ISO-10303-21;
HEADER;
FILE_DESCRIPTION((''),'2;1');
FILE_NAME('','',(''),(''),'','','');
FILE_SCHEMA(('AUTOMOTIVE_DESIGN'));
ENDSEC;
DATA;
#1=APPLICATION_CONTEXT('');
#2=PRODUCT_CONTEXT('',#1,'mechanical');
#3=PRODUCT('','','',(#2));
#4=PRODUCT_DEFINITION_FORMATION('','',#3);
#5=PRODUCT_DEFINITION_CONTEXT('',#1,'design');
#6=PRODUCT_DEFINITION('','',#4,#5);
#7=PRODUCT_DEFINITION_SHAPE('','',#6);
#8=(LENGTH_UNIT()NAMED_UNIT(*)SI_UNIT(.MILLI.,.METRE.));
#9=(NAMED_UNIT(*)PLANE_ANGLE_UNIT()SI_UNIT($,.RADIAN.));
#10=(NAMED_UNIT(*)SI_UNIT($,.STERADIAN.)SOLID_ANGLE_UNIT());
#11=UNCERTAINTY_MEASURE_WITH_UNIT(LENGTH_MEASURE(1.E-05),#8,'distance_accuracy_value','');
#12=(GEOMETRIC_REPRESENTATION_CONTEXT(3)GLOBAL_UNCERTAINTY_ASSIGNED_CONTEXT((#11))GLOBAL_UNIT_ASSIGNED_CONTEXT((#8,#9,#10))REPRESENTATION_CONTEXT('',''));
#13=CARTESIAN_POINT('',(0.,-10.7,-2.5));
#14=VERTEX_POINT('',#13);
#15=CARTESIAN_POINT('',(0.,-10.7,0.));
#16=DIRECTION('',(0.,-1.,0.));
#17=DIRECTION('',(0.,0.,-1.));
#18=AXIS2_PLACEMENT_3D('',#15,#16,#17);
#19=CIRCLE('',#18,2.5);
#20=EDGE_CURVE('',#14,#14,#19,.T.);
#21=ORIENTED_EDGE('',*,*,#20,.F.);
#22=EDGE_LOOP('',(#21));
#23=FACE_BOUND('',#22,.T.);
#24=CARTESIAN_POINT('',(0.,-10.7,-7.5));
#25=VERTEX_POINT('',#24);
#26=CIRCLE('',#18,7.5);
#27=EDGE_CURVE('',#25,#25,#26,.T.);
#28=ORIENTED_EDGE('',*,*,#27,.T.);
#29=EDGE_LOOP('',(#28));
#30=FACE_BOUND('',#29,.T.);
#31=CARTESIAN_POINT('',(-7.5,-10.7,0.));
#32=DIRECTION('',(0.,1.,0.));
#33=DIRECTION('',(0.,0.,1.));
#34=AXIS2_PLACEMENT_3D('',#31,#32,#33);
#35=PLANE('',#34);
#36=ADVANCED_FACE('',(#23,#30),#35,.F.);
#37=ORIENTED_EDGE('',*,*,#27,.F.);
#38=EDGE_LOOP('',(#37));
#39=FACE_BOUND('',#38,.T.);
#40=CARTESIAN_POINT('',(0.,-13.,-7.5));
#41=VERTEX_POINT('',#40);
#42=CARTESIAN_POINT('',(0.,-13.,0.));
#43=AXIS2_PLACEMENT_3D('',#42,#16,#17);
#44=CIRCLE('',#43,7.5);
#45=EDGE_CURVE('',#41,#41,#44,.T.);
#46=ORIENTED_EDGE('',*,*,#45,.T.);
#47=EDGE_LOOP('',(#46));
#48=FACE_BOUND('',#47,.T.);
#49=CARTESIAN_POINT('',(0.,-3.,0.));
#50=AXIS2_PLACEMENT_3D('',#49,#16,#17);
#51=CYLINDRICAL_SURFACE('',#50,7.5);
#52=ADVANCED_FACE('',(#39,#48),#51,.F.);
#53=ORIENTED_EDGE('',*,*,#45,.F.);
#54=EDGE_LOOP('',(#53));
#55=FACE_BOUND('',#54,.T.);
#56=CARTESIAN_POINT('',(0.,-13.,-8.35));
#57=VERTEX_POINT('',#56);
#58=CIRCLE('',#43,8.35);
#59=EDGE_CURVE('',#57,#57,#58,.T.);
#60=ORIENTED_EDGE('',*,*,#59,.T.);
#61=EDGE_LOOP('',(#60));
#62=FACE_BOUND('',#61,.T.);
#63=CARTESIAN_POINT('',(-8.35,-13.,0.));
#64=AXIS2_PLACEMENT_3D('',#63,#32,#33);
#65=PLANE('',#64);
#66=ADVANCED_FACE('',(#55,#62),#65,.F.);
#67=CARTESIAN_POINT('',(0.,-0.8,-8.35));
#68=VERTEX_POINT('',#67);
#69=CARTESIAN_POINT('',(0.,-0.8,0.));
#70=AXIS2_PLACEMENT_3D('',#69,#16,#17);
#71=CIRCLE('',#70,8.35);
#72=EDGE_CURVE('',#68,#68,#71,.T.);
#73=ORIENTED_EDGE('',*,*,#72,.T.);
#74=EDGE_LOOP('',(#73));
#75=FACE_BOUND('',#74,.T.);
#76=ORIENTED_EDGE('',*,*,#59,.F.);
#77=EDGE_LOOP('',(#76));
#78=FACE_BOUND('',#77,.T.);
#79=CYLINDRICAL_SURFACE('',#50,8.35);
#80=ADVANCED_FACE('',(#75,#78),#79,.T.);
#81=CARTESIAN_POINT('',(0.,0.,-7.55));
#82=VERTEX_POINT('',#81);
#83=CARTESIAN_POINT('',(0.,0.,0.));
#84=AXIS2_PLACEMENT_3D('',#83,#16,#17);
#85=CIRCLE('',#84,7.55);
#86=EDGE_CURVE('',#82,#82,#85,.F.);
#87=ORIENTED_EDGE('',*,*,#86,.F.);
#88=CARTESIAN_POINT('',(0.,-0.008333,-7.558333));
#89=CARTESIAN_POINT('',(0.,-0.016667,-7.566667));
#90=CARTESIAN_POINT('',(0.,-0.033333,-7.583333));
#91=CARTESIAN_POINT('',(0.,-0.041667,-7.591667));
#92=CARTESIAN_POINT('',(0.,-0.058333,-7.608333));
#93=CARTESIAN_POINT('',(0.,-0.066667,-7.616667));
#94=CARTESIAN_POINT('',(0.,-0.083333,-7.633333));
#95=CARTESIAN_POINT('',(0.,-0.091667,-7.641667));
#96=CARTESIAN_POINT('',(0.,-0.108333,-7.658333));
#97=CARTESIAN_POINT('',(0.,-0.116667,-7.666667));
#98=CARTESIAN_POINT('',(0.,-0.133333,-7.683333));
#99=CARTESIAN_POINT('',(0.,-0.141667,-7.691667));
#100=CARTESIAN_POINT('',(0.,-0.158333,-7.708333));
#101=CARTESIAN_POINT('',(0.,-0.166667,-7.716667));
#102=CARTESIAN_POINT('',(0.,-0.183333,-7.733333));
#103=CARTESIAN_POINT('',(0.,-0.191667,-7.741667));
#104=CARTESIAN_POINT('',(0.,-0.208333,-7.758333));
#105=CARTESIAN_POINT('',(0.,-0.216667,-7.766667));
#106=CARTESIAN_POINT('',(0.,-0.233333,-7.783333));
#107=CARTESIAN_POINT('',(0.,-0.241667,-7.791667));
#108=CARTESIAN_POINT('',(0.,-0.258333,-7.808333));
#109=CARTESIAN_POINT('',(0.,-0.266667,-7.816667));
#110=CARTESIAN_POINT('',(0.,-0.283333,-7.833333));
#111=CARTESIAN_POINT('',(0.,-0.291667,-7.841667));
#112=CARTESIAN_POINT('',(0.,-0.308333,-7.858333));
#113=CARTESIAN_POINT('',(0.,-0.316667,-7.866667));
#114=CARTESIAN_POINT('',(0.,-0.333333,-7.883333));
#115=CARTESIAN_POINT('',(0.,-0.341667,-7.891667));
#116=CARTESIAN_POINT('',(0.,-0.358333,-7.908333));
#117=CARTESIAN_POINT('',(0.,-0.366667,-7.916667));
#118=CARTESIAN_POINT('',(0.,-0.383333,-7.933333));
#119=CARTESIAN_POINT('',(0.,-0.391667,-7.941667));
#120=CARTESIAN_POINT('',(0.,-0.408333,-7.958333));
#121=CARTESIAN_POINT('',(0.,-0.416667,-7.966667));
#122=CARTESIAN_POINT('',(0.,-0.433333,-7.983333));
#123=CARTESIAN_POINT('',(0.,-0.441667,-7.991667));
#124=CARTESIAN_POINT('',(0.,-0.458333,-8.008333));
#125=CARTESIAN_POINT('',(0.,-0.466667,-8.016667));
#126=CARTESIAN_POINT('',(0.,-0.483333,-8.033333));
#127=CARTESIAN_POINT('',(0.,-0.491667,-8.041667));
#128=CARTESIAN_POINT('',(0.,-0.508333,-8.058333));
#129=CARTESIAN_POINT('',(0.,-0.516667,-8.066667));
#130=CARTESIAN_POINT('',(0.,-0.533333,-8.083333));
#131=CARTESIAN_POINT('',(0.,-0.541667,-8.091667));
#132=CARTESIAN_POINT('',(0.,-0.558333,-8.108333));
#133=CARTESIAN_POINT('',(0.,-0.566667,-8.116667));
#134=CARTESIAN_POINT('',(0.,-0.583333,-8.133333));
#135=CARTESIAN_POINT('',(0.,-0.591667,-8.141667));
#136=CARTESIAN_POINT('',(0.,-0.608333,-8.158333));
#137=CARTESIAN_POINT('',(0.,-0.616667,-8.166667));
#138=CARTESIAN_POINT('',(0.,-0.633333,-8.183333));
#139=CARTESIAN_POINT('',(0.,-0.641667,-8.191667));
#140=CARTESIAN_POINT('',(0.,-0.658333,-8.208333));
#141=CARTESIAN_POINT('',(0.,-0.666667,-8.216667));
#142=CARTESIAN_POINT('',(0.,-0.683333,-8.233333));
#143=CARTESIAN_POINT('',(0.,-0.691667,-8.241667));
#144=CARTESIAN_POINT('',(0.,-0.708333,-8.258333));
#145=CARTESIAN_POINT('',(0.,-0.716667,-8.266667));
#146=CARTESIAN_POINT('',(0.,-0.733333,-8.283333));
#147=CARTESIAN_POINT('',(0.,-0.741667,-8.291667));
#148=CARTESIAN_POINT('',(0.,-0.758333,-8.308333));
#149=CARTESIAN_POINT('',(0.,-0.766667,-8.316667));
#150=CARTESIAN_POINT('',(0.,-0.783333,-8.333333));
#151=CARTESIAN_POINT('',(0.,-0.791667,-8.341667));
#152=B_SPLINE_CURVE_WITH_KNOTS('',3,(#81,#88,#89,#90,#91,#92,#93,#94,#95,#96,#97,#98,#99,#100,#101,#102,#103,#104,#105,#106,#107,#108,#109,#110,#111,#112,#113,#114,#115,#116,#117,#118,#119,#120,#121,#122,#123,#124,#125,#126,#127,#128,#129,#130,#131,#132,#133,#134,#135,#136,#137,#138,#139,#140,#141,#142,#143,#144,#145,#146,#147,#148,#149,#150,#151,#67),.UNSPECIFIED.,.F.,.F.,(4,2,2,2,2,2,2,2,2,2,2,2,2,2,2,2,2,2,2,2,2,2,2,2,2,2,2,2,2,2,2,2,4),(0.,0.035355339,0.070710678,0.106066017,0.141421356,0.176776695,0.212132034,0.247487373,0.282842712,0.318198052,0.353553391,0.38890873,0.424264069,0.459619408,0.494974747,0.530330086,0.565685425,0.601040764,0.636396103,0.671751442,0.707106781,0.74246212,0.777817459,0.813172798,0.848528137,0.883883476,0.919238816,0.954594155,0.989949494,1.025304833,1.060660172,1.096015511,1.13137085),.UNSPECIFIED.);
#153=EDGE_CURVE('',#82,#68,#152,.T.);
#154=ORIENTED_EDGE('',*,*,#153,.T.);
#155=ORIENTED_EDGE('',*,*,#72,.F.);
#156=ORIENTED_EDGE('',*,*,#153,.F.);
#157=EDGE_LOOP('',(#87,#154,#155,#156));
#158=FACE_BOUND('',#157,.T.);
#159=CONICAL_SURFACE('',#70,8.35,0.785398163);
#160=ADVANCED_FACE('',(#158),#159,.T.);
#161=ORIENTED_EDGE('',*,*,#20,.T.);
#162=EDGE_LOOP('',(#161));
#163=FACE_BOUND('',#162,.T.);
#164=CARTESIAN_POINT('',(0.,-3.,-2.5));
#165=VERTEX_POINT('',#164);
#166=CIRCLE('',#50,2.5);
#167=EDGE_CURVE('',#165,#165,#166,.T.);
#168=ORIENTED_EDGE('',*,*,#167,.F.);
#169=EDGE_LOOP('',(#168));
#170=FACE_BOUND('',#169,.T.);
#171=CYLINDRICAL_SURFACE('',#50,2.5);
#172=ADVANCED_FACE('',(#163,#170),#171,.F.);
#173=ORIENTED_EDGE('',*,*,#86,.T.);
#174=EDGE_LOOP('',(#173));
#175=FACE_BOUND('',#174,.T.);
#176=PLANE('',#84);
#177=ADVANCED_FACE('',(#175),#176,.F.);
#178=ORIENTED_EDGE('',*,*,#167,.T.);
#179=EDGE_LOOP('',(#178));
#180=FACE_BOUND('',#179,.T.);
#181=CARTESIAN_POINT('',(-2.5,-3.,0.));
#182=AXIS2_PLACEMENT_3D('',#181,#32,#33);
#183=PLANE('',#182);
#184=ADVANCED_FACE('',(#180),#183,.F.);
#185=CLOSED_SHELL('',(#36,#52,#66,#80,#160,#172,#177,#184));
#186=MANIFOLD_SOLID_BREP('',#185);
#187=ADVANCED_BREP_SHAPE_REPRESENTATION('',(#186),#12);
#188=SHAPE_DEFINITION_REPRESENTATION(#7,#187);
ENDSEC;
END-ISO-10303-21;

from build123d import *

# Parameters (mm, degrees)
CHAMFER_1_SIZE = 0.8


with BuildPart() as part:
    # Эскиз1 → Повернуть1 (revolve)
    with BuildSketch(Plane.XY, mode=Mode.PRIVATE) as revolve_1_sk:
        Polygon((0, 0), (-8.35, 0), (-8.35, -13), (-7.5, -13), (-7.5, -10.7), (-2.5, -10.7), (-2.5, -3), (0, -3), align=None)
    revolve(revolve_1_sk.sketch.rotate(Axis((0, -3, 0), (0, 1, 0)), 270), axis=Axis((0, -3, 0), (0, 1, 0)))

    # Фаска1
    chamfer_1_edges = [part.edges().sort_by_distance(p)[0] for p in [
        (0, 0, 8.35),
    ]]
    chamfer(chamfer_1_edges, length=CHAMFER_1_SIZE)


solid = part.part
